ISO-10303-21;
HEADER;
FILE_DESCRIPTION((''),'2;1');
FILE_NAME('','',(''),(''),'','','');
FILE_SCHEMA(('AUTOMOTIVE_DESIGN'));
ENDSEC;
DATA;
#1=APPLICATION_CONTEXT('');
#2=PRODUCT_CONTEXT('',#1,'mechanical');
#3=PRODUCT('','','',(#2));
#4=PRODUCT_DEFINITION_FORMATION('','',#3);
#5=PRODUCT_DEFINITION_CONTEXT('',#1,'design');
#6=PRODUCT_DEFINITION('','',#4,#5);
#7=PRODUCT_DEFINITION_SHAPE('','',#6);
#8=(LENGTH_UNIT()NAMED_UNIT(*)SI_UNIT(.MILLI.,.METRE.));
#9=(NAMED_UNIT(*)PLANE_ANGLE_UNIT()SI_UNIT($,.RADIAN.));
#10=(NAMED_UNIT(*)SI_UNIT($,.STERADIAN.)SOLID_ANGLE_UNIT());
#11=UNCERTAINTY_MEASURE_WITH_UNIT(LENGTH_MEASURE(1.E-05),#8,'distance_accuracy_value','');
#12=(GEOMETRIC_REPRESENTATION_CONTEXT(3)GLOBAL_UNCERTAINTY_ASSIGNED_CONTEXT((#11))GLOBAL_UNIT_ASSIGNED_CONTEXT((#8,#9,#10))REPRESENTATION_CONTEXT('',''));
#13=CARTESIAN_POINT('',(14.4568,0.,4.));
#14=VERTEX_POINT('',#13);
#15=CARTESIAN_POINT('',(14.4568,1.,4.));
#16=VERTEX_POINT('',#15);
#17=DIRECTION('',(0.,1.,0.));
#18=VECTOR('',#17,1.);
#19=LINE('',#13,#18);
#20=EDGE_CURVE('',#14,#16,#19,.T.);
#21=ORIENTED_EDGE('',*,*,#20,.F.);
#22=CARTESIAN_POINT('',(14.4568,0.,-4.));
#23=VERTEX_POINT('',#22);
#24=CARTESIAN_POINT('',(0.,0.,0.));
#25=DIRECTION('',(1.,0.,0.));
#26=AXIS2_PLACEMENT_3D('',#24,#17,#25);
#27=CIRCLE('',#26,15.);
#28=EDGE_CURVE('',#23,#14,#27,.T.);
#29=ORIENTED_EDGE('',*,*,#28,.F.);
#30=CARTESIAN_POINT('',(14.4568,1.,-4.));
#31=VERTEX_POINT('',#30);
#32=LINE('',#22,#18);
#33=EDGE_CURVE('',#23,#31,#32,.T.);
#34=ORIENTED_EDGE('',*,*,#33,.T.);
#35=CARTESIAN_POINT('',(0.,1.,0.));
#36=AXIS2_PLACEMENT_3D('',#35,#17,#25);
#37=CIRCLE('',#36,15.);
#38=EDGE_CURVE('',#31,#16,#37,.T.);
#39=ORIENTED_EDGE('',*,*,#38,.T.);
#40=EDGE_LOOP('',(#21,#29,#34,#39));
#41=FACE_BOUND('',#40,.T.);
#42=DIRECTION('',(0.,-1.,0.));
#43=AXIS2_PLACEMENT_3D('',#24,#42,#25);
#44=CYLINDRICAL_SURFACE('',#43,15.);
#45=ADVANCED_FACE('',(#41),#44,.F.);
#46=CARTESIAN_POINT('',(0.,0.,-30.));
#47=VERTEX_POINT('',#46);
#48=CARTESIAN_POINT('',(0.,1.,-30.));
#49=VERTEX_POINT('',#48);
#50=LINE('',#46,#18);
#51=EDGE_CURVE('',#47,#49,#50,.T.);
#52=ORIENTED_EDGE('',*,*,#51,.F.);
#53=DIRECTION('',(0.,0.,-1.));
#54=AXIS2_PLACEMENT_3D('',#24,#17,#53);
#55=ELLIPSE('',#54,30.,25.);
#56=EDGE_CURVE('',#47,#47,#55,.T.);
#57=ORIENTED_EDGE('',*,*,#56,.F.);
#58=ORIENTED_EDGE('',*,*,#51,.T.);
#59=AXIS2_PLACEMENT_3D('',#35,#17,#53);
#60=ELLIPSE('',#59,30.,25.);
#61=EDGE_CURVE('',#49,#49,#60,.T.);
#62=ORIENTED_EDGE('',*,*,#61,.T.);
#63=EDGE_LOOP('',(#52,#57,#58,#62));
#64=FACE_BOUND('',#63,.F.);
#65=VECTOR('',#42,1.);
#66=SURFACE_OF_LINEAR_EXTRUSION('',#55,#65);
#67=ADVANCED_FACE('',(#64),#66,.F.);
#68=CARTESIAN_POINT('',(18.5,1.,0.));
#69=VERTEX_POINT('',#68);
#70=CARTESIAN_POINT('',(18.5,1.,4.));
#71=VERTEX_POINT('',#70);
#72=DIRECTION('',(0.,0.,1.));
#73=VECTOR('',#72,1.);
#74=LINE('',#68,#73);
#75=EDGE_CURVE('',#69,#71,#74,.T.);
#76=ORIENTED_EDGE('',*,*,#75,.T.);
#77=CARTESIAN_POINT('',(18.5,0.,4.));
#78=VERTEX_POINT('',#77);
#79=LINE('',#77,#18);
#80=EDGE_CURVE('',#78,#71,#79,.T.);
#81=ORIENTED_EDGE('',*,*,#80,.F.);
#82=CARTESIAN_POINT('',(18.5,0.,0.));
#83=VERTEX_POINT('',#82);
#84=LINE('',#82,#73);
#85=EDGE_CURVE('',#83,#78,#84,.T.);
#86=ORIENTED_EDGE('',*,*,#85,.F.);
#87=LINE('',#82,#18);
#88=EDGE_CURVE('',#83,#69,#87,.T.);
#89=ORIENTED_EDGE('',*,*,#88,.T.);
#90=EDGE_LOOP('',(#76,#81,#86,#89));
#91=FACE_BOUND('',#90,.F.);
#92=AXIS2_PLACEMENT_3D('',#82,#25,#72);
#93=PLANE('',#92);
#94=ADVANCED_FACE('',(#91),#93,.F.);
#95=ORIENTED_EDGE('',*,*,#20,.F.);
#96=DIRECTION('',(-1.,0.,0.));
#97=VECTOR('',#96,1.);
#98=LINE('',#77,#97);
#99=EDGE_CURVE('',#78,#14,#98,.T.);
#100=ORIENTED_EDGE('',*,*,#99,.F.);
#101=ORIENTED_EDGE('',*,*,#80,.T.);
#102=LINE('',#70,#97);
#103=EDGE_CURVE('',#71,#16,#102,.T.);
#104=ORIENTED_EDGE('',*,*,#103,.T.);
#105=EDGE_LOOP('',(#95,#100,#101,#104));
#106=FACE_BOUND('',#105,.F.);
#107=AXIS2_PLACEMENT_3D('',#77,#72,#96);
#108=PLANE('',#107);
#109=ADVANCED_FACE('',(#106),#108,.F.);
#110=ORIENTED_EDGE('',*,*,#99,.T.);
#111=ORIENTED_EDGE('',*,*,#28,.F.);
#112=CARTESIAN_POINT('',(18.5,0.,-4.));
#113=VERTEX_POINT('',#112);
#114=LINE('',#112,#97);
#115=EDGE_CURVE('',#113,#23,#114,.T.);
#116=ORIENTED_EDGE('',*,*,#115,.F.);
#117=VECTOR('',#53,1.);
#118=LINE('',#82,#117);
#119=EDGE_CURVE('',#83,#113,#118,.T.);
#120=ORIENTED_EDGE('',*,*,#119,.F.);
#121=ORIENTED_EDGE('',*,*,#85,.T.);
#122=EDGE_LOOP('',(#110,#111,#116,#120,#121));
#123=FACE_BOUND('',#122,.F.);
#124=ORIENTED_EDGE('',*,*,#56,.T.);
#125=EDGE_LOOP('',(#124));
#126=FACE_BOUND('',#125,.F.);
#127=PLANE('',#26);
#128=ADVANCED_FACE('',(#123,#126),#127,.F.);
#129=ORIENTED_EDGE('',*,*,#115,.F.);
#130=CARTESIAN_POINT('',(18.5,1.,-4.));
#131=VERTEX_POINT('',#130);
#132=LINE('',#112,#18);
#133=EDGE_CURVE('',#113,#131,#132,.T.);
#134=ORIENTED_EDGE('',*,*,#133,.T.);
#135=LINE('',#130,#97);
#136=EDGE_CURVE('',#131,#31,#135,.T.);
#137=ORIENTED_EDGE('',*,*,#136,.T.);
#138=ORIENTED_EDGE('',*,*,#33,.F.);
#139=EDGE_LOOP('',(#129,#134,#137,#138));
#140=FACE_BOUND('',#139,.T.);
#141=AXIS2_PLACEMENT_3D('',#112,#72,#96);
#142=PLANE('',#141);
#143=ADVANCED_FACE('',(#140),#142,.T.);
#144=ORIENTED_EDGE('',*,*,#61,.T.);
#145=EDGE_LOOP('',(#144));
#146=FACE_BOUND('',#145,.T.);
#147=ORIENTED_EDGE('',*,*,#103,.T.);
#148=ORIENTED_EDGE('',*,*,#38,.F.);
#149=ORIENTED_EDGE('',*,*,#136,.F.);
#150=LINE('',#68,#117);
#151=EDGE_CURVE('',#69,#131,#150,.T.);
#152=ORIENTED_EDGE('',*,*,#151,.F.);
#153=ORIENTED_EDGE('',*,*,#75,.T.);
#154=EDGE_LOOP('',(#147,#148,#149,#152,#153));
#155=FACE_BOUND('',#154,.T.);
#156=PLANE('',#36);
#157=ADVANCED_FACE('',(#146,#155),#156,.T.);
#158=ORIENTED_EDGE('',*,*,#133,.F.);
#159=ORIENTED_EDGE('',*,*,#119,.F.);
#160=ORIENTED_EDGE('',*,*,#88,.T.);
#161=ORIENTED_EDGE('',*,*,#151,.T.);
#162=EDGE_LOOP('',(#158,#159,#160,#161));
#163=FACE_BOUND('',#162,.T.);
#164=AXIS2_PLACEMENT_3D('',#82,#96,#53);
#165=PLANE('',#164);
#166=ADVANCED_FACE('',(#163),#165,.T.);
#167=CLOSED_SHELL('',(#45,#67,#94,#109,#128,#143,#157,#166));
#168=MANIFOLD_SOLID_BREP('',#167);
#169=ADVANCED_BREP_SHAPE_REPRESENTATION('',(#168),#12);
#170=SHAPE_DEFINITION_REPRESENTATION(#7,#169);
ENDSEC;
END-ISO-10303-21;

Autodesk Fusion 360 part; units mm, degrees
sketch "Sketch1" plane through (0, 0, 0) normal (0, 1, 0) x (1, 0, 0)
  ellipse E0 centre (0, 0) end of major axis (0, 30) minor radius 25
  line L0 (0, -30) -> (0, 30) construction
  line L1 (25, 0) -> (-25, 0) construction
  circle A0 centre (0, 0) radius 15
  line L2 (0, 0) -> (18.5, 0)
  line L3 (18.5, 0) -> (18.5, 4)
  line L4 (18.5, 4) -> (14.4568, 4)
  line L5 (18.5, -4) -> (14.4568, -4)
  line L6 (18.5, 0) -> (18.5, -4)
  dimension "d1" = 60
  dimension "d2" = 50
  dimension "d3" = 30
  dimension "d4" = 18.5
  dimension "d5" = 4
extrude "Extrude1" add sketch "Sketch1" along normal blind 1
